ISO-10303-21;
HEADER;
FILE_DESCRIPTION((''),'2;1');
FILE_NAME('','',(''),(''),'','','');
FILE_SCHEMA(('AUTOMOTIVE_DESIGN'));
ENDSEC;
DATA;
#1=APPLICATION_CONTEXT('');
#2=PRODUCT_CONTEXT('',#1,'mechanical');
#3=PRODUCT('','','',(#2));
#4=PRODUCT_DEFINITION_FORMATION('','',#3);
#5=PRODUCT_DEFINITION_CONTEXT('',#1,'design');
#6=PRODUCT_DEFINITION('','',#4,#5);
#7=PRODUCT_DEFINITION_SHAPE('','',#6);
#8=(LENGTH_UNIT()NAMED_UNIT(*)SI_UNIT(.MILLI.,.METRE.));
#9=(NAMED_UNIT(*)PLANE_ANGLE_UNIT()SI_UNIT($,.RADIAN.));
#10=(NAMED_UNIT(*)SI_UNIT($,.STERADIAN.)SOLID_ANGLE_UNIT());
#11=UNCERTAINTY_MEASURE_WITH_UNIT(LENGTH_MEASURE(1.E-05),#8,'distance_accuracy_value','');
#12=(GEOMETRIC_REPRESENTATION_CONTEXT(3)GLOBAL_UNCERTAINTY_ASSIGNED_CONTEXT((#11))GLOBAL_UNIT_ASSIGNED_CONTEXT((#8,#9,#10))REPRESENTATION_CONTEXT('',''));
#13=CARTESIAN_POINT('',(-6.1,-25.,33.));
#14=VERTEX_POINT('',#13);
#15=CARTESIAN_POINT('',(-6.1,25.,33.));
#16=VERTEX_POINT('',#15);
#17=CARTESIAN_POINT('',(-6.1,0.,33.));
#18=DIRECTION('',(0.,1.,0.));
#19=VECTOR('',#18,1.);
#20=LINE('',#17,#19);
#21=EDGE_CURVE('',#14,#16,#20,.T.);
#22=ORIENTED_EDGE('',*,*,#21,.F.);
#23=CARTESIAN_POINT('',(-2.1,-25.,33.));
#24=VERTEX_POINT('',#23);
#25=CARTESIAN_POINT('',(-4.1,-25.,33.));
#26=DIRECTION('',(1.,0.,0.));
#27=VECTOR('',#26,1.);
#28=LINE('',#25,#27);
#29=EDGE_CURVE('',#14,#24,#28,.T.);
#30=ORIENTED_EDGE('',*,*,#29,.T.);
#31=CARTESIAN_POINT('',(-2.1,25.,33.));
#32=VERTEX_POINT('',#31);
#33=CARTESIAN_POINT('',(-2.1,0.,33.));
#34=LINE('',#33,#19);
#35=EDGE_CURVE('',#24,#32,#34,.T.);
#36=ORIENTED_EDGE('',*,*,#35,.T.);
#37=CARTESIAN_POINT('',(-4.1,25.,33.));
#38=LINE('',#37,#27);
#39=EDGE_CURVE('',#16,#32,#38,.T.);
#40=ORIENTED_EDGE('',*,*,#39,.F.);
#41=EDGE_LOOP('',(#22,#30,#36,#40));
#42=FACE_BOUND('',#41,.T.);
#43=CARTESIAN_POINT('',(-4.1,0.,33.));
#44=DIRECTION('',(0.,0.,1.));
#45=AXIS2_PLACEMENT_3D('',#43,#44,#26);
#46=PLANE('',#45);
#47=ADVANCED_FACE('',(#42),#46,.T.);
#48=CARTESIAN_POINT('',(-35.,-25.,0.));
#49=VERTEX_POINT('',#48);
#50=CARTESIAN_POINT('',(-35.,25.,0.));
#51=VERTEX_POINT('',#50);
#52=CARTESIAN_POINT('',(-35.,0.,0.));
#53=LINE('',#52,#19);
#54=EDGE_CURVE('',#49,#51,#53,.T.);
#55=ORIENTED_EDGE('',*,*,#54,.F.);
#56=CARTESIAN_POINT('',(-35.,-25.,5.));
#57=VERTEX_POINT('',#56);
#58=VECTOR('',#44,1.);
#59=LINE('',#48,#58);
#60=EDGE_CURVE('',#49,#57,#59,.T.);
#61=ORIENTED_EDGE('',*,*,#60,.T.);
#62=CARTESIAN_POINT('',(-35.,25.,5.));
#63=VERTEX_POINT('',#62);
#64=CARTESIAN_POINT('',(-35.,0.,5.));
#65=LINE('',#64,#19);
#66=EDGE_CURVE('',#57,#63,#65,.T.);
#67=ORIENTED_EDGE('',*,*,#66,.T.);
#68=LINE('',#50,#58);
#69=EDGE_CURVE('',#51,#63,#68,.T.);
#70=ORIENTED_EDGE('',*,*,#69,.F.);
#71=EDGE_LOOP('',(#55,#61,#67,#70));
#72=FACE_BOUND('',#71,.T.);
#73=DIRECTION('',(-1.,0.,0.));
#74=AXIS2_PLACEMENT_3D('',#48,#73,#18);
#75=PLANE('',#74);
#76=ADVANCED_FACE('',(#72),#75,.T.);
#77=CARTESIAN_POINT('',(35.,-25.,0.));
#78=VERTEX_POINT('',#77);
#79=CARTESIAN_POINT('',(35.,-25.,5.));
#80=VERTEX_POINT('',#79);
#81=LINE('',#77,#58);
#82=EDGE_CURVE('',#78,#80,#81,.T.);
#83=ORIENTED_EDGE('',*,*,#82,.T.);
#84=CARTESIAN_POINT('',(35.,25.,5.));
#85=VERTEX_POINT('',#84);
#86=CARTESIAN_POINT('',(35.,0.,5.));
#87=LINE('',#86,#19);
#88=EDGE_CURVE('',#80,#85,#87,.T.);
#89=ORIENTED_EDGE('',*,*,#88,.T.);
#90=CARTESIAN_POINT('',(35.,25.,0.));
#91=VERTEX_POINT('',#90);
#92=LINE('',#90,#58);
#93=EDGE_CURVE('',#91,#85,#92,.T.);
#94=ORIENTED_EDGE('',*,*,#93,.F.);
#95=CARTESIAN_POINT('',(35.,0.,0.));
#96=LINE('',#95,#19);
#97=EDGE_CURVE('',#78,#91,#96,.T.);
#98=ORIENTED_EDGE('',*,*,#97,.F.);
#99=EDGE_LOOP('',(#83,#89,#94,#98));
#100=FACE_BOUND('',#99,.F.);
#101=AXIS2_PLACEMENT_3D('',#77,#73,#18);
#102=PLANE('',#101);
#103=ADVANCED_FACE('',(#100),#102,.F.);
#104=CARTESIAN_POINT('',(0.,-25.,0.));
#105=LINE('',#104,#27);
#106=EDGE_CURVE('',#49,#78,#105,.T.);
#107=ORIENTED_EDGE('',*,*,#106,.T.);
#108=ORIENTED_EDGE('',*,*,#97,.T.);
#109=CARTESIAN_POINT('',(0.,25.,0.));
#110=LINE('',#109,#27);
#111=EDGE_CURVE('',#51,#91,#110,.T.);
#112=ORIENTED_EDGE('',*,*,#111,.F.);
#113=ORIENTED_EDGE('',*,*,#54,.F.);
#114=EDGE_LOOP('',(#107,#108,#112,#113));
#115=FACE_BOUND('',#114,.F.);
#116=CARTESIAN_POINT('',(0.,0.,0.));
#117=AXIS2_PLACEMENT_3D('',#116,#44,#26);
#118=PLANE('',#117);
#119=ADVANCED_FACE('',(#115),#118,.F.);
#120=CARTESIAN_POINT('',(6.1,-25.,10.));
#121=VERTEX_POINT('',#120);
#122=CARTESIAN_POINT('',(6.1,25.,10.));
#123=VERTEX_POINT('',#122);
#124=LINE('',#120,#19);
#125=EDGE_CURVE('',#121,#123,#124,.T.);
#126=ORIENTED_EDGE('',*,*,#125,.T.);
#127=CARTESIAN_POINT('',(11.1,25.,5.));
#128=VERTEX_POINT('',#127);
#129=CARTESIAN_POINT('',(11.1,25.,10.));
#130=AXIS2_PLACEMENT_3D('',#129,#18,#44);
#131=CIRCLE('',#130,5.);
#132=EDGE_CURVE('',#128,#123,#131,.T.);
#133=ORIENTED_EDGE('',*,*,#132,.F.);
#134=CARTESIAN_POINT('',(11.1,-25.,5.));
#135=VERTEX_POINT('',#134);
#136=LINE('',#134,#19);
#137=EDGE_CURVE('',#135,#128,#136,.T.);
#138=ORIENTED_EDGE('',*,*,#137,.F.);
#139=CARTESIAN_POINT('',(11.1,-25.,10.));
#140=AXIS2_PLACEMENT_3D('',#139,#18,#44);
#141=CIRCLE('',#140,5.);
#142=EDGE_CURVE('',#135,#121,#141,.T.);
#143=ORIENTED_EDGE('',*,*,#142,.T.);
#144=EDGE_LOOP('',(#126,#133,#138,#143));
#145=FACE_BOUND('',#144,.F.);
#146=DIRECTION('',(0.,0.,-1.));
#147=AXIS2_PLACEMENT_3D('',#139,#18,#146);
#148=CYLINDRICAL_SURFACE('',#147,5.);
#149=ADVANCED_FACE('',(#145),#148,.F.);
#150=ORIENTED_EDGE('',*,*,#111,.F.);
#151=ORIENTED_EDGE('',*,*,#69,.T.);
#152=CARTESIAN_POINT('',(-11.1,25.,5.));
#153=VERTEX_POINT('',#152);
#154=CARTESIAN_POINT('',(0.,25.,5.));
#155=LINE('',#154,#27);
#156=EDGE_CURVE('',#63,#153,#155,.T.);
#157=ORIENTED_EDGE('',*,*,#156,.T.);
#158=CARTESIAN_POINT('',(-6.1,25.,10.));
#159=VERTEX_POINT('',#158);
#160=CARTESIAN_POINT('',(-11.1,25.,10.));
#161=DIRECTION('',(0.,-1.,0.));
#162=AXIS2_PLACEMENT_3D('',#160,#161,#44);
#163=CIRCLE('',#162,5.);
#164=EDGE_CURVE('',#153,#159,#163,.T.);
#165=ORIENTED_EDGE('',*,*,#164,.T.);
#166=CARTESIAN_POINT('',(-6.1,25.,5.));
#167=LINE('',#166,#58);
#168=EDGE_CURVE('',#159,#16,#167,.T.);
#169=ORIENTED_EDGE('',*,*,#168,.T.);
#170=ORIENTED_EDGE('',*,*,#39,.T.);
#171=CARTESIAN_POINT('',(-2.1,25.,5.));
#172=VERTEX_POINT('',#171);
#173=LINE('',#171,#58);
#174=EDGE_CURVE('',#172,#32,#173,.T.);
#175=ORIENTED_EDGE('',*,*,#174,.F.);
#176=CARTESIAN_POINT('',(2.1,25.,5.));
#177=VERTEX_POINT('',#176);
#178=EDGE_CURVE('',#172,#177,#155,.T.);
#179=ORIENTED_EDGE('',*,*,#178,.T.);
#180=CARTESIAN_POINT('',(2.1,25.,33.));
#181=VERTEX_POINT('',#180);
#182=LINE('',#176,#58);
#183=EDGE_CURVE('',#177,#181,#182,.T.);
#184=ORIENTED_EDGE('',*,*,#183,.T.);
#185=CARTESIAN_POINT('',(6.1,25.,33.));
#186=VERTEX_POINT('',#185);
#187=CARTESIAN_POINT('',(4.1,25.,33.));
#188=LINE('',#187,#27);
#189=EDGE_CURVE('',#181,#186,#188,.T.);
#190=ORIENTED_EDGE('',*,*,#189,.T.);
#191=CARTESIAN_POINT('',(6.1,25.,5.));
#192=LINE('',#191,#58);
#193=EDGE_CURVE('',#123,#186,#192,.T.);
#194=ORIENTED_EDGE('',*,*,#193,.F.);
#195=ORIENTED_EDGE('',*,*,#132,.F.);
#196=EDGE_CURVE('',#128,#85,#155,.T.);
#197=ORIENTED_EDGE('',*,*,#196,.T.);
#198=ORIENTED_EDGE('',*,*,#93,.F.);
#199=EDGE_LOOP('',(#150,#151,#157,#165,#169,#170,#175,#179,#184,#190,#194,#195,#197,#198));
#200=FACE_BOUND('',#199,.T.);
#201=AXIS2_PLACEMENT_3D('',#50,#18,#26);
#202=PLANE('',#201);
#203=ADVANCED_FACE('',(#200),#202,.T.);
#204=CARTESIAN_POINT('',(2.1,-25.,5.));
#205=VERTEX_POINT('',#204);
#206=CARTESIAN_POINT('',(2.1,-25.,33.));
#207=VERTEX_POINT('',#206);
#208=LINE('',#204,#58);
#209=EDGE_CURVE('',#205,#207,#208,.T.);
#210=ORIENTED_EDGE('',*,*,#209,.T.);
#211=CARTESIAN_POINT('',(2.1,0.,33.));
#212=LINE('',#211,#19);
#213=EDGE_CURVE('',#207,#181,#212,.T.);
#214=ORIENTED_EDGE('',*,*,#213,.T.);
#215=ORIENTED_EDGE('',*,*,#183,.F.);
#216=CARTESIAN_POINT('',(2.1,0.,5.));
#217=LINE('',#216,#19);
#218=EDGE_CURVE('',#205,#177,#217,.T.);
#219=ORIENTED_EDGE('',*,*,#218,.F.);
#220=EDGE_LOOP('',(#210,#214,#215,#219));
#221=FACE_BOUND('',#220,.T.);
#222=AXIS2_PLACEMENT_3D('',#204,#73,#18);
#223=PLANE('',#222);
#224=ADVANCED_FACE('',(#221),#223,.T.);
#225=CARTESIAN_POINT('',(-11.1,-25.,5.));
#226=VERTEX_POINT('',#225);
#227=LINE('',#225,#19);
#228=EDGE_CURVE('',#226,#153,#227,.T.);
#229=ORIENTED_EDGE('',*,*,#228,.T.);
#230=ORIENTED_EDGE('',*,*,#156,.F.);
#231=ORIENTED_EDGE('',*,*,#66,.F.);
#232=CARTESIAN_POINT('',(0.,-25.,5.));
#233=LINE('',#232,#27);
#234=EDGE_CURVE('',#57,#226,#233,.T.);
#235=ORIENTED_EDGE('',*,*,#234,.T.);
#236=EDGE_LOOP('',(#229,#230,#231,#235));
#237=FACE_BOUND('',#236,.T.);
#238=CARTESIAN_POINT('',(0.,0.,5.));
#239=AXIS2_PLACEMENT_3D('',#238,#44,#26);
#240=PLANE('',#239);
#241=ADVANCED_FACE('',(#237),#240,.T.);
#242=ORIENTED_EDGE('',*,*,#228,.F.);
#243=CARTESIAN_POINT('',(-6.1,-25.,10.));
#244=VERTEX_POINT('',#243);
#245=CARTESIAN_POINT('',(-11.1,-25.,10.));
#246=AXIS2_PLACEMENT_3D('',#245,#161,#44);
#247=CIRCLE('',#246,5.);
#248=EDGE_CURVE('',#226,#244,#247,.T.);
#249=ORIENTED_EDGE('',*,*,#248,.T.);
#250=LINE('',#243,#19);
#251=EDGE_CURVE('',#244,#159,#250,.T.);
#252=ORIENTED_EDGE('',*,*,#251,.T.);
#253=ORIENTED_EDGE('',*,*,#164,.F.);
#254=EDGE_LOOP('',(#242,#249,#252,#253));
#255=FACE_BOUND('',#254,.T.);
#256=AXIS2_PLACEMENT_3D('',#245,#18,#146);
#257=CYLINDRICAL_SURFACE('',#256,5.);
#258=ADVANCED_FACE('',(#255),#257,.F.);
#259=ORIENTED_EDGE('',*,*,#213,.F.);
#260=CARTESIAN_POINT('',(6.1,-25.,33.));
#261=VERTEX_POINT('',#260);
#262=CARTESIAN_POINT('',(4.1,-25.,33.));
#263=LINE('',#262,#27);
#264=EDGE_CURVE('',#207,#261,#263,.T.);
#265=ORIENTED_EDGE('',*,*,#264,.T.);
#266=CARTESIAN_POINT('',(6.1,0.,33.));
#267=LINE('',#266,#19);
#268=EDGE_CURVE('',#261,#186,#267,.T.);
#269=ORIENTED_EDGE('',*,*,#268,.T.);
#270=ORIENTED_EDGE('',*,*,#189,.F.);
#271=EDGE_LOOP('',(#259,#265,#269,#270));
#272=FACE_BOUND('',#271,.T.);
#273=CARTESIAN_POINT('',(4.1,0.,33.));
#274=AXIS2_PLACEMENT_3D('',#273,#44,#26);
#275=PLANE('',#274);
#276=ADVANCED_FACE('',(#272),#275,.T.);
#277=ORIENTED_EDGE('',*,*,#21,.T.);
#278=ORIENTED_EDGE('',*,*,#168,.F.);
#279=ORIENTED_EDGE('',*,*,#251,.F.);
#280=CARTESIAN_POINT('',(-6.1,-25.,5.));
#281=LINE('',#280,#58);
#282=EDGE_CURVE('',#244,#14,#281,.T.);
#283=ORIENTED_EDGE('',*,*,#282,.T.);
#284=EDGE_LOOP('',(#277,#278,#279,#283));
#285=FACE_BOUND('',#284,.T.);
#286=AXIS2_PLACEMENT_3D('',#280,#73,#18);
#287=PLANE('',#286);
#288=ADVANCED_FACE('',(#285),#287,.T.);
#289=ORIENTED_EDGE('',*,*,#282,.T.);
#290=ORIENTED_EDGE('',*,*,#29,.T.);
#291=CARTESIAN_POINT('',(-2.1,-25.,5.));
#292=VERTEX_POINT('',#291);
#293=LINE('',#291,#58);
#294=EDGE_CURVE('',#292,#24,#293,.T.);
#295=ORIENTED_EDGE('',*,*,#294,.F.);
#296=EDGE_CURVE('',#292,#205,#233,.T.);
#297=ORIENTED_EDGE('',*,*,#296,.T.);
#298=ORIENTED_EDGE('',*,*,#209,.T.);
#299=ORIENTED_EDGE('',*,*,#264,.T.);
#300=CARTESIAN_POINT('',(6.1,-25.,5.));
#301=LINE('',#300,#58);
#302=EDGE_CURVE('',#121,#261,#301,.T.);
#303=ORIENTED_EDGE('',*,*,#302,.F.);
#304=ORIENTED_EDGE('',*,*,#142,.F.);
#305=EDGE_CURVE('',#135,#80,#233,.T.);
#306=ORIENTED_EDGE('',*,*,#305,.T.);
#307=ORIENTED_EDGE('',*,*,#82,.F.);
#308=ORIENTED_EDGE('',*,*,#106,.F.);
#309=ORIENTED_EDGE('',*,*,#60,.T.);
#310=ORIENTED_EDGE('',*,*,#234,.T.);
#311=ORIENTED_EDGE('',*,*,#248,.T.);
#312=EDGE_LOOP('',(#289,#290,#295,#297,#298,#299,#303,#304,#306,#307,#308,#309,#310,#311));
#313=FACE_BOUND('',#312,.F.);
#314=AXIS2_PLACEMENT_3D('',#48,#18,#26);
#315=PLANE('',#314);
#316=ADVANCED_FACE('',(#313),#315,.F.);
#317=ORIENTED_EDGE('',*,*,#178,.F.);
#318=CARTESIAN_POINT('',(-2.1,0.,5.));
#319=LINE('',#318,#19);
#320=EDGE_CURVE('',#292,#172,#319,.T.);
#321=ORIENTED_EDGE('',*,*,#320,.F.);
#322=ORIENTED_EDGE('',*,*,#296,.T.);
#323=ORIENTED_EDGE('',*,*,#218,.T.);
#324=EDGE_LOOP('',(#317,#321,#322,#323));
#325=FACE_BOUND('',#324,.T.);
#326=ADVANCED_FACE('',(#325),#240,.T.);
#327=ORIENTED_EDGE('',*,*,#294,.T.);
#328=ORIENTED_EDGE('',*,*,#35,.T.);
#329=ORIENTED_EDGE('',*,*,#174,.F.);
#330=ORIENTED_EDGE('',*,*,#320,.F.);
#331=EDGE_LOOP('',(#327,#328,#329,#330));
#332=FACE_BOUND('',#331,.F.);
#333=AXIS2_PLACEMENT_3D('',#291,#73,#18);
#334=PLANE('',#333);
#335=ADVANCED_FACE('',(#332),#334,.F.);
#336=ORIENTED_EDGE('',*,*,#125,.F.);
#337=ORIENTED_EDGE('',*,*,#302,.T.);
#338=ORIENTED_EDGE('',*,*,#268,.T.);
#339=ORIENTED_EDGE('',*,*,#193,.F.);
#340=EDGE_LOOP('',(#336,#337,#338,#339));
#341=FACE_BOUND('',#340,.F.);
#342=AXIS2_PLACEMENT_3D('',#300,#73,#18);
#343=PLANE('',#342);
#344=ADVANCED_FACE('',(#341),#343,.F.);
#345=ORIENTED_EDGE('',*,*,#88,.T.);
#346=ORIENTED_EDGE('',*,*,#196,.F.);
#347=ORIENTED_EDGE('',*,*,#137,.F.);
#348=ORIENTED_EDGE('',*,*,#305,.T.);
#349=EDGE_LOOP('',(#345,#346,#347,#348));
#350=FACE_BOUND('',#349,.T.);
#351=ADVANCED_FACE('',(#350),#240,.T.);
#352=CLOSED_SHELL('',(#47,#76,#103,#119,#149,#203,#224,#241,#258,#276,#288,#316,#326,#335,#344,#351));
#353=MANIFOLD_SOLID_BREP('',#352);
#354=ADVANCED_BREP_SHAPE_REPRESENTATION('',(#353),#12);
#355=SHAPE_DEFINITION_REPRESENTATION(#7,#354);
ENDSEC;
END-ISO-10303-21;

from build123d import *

# Parameters (mm, degrees)
F0_W     = 70
F0_H     = 50
F1_DEPTH = 5
F2_W     = 4
F2_H     = 50
F3_DEPTH = 28
F4_R     = 5


with BuildPart() as f1:
    # F0 (on Top) → F1 (new body)
    with BuildSketch(Plane.XY):
        Rectangle(F0_W, F0_H)
    extrude(amount=F1_DEPTH)

    # F2 (on face) → F3 (join)
    with BuildSketch(Plane.XY.offset(5)):
        with Locations((-4.1, 0)):
            Rectangle(F2_W, F2_H)
        with Locations((4.1, 0)):
            Rectangle(F2_W, F2_H)
    extrude(amount=F3_DEPTH)

    # F4
    f4_edges = [f1.edges().sort_by_distance(p)[0] for p in [
        (-6.1, 0, 5),
        (6.1, 0, 5),
    ]]
    fillet(f4_edges, radius=F4_R)


solid = f1.part
